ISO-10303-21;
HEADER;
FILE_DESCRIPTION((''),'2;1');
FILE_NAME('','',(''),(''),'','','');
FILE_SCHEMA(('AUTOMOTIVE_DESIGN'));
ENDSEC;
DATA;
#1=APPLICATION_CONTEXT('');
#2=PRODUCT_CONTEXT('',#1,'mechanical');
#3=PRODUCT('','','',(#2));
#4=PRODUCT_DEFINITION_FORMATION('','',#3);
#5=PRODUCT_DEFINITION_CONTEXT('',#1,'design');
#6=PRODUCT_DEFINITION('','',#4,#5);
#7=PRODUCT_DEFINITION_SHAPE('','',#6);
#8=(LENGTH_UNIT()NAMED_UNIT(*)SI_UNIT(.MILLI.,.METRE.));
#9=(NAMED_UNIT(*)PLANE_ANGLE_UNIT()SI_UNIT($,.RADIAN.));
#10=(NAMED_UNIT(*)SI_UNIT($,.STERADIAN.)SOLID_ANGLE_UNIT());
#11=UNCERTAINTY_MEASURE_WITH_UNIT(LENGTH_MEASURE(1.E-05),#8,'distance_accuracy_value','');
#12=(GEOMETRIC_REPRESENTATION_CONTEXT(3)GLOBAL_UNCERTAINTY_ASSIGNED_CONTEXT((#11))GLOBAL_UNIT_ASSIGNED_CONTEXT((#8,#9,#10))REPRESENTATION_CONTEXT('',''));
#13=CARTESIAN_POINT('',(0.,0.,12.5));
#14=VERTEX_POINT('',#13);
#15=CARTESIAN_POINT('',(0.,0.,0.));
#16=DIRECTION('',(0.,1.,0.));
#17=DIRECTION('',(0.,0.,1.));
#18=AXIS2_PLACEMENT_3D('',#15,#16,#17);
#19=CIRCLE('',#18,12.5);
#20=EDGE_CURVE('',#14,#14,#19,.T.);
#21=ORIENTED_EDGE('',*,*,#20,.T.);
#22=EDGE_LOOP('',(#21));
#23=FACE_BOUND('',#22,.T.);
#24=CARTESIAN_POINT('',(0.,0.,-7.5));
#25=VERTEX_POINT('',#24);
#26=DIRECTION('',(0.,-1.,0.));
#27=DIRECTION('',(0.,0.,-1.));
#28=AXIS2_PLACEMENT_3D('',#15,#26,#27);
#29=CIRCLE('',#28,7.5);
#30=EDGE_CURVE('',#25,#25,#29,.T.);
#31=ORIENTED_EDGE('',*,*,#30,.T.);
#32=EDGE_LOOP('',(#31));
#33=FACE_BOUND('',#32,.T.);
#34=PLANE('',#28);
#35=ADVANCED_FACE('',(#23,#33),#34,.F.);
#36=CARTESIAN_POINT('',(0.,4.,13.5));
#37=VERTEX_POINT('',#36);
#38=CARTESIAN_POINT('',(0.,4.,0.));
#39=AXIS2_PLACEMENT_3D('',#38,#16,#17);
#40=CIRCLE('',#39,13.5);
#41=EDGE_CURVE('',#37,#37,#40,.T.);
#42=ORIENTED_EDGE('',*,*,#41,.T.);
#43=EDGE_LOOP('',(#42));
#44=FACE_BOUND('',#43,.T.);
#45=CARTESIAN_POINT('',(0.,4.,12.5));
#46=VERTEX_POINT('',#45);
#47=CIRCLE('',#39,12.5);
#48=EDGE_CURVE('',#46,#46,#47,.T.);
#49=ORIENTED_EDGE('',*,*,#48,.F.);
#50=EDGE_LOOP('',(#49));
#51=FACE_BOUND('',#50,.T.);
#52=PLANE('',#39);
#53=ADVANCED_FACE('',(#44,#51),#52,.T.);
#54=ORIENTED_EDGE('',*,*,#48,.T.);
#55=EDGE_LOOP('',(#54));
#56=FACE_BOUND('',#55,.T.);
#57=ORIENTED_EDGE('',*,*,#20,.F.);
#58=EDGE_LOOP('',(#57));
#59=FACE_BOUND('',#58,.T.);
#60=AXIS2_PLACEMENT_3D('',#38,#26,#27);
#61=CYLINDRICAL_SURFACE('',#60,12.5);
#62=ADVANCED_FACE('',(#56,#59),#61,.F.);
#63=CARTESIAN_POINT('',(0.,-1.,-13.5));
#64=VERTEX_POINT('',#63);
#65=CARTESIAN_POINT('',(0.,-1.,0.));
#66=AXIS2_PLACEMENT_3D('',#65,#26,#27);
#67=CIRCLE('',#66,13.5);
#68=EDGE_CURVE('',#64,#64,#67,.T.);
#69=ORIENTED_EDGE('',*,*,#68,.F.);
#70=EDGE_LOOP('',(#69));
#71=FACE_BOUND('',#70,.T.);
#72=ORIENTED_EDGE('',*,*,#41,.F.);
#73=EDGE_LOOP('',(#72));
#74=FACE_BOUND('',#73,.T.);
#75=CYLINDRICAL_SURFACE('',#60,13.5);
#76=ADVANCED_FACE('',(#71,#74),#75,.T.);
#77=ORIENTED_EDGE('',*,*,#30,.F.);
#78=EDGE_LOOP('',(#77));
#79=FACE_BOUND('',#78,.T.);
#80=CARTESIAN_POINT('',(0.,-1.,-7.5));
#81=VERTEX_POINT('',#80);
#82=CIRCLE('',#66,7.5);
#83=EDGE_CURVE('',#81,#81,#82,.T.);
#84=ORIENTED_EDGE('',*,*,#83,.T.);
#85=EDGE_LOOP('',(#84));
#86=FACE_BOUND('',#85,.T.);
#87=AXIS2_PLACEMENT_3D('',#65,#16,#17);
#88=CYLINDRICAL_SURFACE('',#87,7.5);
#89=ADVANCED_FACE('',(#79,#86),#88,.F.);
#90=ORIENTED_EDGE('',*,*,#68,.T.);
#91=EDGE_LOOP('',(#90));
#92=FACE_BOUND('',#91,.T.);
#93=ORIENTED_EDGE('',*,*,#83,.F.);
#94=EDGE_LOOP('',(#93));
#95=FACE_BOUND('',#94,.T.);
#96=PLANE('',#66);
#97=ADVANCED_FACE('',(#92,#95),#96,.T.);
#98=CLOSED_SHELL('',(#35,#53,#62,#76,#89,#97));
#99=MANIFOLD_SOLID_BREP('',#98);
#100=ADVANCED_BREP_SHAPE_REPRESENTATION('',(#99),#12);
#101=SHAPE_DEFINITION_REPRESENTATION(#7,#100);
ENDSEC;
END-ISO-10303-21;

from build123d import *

# Parameters (mm, degrees)
SKETCH1_R           = 13.5
SKETCH1_R_2         = 12.5
BOSS_EXTRUDE1_DEPTH = 4
BOSS_EXTRUDE2_START = 1
SKETCH2_R           = 13.5
SKETCH2_R_2         = 7.5
BOSS_EXTRUDE2_DEPTH = 1


with BuildPart() as part:
    # Sketch1 → Boss-Extrude1 (new body)
    with BuildSketch(Plane(origin=(0, 0, 0), x_dir=(1, 0, 0), z_dir=(0, 1, 0))):
        with Locations(Location((0, 0, 0), (0, 0, 270))):
            Circle(SKETCH1_R)
        with Locations(Location((0, 0, 0), (0, 0, 270))):
            Circle(SKETCH1_R_2, mode=Mode.SUBTRACT)
    extrude(amount=BOSS_EXTRUDE1_DEPTH)

    # Sketch2 → Boss-Extrude2 (add)
    with BuildSketch(Plane.XZ.offset(BOSS_EXTRUDE2_START)):
        with Locations(Location((0, 0, 0), (0, 0, 270))):
            Circle(SKETCH2_R)
        with Locations(Location((0, 0, 0), (0, 0, 270))):
            Circle(SKETCH2_R_2, mode=Mode.SUBTRACT)
    extrude(amount=-BOSS_EXTRUDE2_DEPTH)


solid = part.part
